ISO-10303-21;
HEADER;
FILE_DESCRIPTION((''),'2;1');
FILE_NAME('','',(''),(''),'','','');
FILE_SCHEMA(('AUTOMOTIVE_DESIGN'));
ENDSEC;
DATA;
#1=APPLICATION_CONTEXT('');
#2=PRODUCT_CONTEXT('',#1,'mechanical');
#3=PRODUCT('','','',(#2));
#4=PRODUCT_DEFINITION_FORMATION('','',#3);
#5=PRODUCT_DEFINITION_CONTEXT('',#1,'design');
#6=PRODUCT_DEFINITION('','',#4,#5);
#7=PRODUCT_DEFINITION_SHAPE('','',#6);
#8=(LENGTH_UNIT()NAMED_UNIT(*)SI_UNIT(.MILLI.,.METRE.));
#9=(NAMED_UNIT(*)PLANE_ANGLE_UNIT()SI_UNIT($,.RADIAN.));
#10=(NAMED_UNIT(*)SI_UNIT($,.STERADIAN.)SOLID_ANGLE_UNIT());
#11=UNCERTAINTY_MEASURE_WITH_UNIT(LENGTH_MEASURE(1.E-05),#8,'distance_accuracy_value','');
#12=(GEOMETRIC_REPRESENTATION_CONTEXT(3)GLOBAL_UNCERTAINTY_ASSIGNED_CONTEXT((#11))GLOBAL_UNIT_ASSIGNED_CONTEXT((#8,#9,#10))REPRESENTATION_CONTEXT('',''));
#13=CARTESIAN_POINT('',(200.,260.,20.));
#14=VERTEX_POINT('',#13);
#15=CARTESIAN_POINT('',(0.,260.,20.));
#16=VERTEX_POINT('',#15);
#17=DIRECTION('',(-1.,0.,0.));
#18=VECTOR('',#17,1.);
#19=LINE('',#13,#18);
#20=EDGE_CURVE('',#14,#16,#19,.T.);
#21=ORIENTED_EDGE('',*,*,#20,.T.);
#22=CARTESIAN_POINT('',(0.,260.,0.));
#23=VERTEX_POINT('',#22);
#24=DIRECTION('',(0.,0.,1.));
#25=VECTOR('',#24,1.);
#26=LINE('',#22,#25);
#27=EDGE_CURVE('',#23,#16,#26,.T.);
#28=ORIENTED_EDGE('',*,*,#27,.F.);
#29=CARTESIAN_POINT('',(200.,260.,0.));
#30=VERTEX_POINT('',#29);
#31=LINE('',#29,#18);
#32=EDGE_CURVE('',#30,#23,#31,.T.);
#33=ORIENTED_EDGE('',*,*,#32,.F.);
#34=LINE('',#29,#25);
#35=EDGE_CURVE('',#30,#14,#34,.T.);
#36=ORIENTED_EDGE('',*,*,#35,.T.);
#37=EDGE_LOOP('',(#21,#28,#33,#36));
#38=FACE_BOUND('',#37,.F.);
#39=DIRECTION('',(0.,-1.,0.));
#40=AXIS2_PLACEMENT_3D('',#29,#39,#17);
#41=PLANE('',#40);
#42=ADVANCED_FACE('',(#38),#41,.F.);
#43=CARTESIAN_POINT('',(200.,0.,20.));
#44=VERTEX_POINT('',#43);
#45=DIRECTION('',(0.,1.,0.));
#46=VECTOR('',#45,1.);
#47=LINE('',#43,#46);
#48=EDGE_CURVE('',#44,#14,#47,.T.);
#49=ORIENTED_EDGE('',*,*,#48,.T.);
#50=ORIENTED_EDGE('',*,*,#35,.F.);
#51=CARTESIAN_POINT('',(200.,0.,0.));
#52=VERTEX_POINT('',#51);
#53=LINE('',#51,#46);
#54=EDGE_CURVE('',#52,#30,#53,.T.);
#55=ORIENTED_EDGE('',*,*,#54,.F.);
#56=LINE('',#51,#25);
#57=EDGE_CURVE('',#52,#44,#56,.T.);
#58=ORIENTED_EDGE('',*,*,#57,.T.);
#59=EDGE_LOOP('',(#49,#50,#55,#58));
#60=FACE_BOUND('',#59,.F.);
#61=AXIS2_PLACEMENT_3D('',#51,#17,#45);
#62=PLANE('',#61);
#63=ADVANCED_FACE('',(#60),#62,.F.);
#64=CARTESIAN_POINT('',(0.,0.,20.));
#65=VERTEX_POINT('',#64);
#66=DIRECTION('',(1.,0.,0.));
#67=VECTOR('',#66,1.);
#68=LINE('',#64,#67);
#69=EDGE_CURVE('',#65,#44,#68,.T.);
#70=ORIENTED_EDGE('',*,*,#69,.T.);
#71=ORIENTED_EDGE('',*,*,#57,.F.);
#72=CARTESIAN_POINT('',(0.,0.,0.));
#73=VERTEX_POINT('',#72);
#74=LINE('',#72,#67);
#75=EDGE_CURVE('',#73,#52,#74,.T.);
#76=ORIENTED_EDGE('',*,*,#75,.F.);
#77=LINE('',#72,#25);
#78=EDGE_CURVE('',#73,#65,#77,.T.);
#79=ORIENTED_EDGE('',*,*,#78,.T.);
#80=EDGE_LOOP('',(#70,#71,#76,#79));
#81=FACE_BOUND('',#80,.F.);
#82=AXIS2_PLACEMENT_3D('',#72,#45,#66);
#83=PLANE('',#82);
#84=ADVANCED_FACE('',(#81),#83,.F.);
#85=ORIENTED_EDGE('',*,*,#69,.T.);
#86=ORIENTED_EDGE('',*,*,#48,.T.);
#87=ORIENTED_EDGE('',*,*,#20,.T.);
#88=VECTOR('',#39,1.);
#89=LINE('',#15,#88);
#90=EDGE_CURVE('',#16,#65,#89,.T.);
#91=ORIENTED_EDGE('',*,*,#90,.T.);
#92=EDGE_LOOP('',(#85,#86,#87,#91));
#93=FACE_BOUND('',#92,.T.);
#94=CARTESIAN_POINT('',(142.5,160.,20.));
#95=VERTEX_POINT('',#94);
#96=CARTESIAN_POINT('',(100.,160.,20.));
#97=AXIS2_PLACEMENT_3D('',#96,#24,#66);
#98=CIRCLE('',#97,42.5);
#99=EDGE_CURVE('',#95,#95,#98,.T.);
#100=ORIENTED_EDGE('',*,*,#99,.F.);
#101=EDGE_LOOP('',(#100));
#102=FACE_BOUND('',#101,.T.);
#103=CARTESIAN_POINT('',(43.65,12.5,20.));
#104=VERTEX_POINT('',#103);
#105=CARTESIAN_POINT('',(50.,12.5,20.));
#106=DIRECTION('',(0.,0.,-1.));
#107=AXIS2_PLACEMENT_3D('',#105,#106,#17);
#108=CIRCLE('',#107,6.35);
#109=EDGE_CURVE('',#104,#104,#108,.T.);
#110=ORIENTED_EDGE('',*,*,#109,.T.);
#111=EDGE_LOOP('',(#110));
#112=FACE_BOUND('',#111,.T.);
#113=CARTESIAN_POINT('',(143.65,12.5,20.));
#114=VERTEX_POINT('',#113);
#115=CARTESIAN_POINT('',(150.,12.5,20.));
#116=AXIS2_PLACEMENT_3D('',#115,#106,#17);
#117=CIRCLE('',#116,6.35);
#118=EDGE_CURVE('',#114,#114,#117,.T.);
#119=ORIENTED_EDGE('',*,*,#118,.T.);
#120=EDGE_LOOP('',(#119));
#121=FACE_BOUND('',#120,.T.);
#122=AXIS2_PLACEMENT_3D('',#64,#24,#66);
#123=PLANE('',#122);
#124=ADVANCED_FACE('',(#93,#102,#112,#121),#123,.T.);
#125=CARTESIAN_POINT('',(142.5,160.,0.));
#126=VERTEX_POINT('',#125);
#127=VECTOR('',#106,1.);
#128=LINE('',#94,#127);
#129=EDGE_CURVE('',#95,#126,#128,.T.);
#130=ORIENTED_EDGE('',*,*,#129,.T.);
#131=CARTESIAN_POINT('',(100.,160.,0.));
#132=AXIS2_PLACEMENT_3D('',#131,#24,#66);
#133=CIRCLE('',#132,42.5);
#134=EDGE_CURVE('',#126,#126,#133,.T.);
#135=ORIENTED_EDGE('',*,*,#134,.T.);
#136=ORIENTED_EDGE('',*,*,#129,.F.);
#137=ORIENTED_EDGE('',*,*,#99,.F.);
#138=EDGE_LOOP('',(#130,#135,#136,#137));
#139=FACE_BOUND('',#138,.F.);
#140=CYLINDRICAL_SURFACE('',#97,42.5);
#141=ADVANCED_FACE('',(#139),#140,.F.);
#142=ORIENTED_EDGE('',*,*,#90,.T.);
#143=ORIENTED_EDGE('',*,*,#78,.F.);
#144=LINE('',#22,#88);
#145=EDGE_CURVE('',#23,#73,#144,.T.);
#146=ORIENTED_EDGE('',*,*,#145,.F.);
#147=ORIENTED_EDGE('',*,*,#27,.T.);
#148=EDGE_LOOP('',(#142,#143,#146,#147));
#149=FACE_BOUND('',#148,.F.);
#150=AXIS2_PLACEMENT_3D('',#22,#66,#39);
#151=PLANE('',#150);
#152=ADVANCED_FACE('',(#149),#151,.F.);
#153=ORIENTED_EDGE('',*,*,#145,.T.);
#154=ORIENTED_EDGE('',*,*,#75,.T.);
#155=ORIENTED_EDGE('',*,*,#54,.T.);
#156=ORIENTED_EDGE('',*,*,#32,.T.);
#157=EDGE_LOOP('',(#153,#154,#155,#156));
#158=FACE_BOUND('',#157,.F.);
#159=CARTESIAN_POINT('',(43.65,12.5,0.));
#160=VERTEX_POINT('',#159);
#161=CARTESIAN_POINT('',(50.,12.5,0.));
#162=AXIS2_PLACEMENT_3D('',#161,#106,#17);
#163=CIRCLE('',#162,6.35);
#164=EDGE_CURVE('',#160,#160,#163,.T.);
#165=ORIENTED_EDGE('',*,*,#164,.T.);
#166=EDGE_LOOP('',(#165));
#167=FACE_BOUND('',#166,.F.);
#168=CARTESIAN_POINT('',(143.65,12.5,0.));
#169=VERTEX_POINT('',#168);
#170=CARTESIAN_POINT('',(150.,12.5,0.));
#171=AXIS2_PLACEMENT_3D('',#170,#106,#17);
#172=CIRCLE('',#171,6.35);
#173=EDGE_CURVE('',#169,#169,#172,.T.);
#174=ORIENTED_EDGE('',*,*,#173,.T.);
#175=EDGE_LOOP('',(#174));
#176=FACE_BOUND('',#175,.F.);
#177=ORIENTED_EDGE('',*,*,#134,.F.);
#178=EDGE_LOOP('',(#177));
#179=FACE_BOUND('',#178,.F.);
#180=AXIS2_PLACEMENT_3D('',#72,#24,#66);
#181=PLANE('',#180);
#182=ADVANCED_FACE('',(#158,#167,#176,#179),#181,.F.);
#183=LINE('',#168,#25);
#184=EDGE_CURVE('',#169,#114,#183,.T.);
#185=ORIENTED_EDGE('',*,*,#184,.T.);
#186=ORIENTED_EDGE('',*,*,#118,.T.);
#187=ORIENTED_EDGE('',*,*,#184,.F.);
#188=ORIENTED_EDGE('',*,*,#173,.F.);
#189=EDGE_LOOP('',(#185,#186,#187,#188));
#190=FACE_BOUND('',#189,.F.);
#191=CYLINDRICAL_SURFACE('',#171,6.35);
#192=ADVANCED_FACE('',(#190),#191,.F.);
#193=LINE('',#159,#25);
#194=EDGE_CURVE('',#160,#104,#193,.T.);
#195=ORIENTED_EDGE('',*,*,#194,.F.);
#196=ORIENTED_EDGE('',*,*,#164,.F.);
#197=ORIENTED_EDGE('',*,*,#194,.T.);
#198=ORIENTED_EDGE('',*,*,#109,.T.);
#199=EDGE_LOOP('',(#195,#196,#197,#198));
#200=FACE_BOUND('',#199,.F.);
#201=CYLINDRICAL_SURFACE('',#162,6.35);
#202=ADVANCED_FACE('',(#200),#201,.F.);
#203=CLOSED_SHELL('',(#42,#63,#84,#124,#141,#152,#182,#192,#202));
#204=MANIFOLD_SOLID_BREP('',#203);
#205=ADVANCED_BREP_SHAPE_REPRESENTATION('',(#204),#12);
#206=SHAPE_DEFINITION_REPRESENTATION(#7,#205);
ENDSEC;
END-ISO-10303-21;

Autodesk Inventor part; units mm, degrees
ref_plane "YZ Plane" through (0, 0, 0) normal (1, 0, 0) x (0, 1, 0)
ref_plane "XZ Plane" through (0, 0, 0) normal (0, 1, 0) x (-1, 0, 0)
ref_plane "XY Plane" through (0, 0, 0) normal (0, 0, 1) x (1, 0, 0)
sketch "Sketch1" plane through (0, 0, 0) normal (0, 0, 1) x (1, 0, 0)
  line L0 (0, 0) -> (200, 0)
  line L1 (200, 0) -> (200, 260)
  line L2 (200, 260) -> (0, 260)
  line L3 (0, 260) -> (0, 0)
  dimension "d0" = 200
  dimension "d1" = 260
extrude "Extrusion1" add sketch "Sketch1" along normal blind 20
sketch "Sketch2" plane through (0, 0, 20) normal (0, 0, 1) x (1, 0, 0)
  circle A0 centre (100, 160) radius 42.5
  line L0 (200, 260) -> (0, 260) projected
  line L1 (0, 260) -> (0, 0) projected
  dimension "d4" = 85
  dimension "d5" = 100
  dimension "d6" = 100
extrude "Extrusion2" cut sketch "Sketch2" against normal blind 20
sketch "Sketch3" plane through (0, 0, 0) normal (0, 0, -1) x (-1, 0, 0)
  circle A0 centre (-150, 12.5) radius 6.35
  circle A1 centre (-50, 12.5) radius 6.35
  line L0 (0, 0) -> (-200, 0) projected
  line L1 (-200, 0) -> (-200, 260) projected
  line L2 (0, 260) -> (0, 0) projected
  dimension "d9" = 12.7
  dimension "d10" = 12.7
  dimension "d11" = 12.5
  dimension "d12" = 12.5
  dimension "d13" = 50
  dimension "d14" = 50
extrude "Extrusion3" cut sketch "Sketch3" against normal blind 20
equation "\"d12\" = d11"
equation "\"d14\" = d13"
properties part number "FloorMountFacePlate"
